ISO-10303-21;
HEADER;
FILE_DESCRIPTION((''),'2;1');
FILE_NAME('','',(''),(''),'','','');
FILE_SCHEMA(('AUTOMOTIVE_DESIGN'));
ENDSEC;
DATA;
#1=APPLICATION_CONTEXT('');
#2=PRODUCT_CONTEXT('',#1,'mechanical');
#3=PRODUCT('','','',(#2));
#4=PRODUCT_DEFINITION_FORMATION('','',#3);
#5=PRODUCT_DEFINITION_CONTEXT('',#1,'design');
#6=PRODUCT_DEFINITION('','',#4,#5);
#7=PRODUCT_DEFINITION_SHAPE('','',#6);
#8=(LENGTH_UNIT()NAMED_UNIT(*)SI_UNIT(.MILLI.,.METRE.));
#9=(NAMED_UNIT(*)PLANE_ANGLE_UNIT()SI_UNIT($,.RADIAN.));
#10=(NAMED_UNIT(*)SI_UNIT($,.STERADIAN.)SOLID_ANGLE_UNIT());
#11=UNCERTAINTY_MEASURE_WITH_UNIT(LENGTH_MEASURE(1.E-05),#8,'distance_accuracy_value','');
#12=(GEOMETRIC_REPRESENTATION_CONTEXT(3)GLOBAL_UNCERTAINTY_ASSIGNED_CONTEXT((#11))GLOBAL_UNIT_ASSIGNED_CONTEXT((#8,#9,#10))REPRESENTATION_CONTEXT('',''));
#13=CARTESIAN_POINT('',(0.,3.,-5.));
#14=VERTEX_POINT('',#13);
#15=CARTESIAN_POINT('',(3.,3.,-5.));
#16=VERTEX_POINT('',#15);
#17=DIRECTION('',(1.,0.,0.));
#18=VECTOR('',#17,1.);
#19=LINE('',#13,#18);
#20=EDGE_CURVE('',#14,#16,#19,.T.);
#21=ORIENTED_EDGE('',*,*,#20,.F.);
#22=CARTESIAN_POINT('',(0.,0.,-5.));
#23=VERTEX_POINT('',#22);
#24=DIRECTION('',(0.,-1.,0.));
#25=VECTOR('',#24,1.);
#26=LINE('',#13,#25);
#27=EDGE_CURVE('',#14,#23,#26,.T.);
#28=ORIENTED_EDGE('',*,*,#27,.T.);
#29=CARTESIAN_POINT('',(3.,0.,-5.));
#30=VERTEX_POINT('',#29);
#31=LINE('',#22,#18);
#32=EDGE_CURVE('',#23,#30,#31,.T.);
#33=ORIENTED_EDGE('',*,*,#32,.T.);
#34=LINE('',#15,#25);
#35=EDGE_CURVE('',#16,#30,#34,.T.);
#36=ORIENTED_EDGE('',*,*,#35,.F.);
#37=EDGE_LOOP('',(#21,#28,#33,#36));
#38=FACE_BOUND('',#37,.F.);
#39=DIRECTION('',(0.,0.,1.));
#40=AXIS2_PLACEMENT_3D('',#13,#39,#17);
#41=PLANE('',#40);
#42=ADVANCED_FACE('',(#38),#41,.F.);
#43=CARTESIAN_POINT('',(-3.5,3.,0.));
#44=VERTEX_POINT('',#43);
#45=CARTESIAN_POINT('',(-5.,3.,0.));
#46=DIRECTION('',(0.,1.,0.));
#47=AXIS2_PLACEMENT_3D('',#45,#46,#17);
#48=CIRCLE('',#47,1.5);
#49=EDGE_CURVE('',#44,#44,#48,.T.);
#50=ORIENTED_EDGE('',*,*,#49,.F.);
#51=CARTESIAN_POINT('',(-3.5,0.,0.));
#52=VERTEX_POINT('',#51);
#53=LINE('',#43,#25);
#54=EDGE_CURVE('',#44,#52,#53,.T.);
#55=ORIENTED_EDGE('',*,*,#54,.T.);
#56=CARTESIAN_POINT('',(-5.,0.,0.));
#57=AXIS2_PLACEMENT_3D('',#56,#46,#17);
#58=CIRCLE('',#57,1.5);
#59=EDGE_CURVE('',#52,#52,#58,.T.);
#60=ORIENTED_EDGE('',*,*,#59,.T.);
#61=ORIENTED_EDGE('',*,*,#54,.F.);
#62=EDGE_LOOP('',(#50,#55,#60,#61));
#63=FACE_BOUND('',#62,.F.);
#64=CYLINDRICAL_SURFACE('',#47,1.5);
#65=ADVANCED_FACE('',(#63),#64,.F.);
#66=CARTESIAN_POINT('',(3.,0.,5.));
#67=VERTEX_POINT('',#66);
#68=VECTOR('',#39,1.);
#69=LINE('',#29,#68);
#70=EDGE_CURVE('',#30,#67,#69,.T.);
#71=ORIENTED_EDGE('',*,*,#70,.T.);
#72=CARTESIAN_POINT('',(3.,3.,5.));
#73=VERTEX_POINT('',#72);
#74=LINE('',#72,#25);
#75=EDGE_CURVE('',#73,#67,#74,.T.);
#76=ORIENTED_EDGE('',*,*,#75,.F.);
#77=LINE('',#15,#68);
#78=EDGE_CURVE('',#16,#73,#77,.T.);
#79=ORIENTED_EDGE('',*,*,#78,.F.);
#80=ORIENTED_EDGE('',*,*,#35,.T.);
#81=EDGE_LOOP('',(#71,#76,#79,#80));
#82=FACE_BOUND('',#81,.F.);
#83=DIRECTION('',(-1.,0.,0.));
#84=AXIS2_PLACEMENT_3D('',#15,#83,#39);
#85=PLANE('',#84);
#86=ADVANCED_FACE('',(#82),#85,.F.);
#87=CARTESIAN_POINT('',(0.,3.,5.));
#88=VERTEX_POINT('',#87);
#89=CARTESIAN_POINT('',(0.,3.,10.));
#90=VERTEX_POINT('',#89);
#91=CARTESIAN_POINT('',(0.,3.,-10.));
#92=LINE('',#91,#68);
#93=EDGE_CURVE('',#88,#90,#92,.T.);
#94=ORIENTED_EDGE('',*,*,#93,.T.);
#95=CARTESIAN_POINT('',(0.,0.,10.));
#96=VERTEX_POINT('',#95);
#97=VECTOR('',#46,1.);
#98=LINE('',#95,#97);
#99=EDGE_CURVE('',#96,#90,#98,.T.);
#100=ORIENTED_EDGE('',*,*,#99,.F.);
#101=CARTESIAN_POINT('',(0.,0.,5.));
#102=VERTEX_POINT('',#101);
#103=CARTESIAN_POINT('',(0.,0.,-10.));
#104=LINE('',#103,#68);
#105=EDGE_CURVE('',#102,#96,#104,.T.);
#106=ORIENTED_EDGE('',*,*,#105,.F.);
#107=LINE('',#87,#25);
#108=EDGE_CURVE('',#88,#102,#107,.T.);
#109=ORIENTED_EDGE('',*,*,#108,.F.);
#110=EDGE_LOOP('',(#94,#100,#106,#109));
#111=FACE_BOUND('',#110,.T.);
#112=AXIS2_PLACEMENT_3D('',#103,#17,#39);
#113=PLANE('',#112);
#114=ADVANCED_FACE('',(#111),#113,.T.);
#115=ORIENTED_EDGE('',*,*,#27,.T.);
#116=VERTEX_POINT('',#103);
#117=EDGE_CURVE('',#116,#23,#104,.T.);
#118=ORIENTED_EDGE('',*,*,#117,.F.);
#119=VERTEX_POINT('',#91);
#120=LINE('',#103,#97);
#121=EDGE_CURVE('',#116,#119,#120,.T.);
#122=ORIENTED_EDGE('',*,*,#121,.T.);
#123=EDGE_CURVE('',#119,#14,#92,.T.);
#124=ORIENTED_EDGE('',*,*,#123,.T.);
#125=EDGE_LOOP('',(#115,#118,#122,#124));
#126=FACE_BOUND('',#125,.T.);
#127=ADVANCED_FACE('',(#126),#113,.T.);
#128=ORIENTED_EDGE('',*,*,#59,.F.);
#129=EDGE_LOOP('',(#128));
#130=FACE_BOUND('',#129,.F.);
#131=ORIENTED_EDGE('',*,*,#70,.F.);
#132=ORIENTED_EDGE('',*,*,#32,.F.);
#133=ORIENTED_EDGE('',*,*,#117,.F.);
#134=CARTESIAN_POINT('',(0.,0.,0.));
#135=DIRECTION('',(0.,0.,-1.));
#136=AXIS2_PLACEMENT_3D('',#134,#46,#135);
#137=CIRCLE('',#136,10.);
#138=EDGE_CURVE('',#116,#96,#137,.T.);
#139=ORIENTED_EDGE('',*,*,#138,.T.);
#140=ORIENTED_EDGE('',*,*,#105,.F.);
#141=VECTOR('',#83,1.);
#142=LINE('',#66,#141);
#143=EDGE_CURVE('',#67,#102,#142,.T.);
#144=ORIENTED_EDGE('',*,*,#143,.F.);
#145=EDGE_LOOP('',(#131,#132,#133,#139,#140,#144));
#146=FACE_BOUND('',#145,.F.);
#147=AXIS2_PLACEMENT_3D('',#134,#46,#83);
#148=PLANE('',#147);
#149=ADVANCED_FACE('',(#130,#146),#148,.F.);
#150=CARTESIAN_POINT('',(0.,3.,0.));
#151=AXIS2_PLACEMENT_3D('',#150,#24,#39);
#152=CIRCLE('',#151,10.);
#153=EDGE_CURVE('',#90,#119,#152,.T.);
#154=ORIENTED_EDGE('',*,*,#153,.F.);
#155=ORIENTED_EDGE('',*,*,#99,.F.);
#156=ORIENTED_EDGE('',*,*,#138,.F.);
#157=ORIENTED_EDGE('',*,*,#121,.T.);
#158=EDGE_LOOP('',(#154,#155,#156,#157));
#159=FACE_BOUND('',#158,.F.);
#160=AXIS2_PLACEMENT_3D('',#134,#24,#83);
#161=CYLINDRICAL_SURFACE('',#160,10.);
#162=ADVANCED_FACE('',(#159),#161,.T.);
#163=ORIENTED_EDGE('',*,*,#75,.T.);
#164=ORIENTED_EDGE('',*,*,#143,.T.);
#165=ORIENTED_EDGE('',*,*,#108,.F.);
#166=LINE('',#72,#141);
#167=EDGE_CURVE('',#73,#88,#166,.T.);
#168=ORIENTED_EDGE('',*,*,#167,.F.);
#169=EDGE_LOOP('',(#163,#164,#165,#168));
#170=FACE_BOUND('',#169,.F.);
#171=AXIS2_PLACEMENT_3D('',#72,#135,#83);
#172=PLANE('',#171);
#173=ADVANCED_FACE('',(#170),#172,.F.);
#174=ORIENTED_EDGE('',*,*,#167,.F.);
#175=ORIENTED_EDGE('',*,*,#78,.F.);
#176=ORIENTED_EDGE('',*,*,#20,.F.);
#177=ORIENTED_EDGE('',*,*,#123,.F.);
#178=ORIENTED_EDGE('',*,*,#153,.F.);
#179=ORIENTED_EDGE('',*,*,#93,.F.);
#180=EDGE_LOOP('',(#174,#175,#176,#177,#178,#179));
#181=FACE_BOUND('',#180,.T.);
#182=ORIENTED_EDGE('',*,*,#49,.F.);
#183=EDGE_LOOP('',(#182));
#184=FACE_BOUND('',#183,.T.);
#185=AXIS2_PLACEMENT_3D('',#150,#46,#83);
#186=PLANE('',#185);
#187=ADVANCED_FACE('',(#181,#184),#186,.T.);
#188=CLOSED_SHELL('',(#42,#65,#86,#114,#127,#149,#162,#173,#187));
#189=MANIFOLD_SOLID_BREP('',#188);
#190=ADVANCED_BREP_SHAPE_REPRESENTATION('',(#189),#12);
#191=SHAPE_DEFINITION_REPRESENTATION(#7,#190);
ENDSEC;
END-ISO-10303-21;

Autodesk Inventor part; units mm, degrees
ref_plane "YZ Plane" through (0, 0, 0) normal (1, 0, 0) x (0, 1, 0)
ref_plane "XZ Plane" through (0, 0, 0) normal (0, 1, 0) x (-1, 0, 0)
ref_plane "XY Plane" through (0, 0, 0) normal (0, 0, 1) x (1, 0, 0)
sketch "Sketch1" plane through (0, 0, 0) normal (0, 1, 0) x (-1, 0, 0)
  circle A0 centre (0, 0) radius 10
  line L0 (0, -10) -> (0, 10)
  dimension "d0" = 20
extrude "Extrusion1" add sketch "Sketch1" along normal blind 3 contours A0 L0 picked at (2.6061, 2.0783)
sketch "Sketch2" plane through (0, 3, 0) normal (0, 1, 0) x (1, 0, 0)
  line L0 (0, 5) -> (3, 5)
  line L1 (3, 5) -> (3, -5)
  line L2 (3, -5) -> (0, -5)
  line L3 (0, -5) -> (0, 5)
  line L4 (0, -10) -> (0, 10) projected
  point P0 (0, 0)
  point P1 (3, 0)
  point P2 (0, 0)
  dimension "d3" = 3
  dimension "d4" = 10
extrude "Extrusion2" add sketch "Sketch2" against normal blind 3
sketch "Sketch3" plane through (0, 3, 0) normal (0, 1, 0) x (1, 0, 0)
  circle A0 centre (-5, 0) radius 1.5
  line L0 (0, -10) -> (0, -5) projected
  point P0 (0, 0)
  dimension "d7" = 3
  dimension "d8" = 5
extrude "Extrusion3" cut sketch "Sketch3" against normal blind 3
properties part number "Cradel holder"
